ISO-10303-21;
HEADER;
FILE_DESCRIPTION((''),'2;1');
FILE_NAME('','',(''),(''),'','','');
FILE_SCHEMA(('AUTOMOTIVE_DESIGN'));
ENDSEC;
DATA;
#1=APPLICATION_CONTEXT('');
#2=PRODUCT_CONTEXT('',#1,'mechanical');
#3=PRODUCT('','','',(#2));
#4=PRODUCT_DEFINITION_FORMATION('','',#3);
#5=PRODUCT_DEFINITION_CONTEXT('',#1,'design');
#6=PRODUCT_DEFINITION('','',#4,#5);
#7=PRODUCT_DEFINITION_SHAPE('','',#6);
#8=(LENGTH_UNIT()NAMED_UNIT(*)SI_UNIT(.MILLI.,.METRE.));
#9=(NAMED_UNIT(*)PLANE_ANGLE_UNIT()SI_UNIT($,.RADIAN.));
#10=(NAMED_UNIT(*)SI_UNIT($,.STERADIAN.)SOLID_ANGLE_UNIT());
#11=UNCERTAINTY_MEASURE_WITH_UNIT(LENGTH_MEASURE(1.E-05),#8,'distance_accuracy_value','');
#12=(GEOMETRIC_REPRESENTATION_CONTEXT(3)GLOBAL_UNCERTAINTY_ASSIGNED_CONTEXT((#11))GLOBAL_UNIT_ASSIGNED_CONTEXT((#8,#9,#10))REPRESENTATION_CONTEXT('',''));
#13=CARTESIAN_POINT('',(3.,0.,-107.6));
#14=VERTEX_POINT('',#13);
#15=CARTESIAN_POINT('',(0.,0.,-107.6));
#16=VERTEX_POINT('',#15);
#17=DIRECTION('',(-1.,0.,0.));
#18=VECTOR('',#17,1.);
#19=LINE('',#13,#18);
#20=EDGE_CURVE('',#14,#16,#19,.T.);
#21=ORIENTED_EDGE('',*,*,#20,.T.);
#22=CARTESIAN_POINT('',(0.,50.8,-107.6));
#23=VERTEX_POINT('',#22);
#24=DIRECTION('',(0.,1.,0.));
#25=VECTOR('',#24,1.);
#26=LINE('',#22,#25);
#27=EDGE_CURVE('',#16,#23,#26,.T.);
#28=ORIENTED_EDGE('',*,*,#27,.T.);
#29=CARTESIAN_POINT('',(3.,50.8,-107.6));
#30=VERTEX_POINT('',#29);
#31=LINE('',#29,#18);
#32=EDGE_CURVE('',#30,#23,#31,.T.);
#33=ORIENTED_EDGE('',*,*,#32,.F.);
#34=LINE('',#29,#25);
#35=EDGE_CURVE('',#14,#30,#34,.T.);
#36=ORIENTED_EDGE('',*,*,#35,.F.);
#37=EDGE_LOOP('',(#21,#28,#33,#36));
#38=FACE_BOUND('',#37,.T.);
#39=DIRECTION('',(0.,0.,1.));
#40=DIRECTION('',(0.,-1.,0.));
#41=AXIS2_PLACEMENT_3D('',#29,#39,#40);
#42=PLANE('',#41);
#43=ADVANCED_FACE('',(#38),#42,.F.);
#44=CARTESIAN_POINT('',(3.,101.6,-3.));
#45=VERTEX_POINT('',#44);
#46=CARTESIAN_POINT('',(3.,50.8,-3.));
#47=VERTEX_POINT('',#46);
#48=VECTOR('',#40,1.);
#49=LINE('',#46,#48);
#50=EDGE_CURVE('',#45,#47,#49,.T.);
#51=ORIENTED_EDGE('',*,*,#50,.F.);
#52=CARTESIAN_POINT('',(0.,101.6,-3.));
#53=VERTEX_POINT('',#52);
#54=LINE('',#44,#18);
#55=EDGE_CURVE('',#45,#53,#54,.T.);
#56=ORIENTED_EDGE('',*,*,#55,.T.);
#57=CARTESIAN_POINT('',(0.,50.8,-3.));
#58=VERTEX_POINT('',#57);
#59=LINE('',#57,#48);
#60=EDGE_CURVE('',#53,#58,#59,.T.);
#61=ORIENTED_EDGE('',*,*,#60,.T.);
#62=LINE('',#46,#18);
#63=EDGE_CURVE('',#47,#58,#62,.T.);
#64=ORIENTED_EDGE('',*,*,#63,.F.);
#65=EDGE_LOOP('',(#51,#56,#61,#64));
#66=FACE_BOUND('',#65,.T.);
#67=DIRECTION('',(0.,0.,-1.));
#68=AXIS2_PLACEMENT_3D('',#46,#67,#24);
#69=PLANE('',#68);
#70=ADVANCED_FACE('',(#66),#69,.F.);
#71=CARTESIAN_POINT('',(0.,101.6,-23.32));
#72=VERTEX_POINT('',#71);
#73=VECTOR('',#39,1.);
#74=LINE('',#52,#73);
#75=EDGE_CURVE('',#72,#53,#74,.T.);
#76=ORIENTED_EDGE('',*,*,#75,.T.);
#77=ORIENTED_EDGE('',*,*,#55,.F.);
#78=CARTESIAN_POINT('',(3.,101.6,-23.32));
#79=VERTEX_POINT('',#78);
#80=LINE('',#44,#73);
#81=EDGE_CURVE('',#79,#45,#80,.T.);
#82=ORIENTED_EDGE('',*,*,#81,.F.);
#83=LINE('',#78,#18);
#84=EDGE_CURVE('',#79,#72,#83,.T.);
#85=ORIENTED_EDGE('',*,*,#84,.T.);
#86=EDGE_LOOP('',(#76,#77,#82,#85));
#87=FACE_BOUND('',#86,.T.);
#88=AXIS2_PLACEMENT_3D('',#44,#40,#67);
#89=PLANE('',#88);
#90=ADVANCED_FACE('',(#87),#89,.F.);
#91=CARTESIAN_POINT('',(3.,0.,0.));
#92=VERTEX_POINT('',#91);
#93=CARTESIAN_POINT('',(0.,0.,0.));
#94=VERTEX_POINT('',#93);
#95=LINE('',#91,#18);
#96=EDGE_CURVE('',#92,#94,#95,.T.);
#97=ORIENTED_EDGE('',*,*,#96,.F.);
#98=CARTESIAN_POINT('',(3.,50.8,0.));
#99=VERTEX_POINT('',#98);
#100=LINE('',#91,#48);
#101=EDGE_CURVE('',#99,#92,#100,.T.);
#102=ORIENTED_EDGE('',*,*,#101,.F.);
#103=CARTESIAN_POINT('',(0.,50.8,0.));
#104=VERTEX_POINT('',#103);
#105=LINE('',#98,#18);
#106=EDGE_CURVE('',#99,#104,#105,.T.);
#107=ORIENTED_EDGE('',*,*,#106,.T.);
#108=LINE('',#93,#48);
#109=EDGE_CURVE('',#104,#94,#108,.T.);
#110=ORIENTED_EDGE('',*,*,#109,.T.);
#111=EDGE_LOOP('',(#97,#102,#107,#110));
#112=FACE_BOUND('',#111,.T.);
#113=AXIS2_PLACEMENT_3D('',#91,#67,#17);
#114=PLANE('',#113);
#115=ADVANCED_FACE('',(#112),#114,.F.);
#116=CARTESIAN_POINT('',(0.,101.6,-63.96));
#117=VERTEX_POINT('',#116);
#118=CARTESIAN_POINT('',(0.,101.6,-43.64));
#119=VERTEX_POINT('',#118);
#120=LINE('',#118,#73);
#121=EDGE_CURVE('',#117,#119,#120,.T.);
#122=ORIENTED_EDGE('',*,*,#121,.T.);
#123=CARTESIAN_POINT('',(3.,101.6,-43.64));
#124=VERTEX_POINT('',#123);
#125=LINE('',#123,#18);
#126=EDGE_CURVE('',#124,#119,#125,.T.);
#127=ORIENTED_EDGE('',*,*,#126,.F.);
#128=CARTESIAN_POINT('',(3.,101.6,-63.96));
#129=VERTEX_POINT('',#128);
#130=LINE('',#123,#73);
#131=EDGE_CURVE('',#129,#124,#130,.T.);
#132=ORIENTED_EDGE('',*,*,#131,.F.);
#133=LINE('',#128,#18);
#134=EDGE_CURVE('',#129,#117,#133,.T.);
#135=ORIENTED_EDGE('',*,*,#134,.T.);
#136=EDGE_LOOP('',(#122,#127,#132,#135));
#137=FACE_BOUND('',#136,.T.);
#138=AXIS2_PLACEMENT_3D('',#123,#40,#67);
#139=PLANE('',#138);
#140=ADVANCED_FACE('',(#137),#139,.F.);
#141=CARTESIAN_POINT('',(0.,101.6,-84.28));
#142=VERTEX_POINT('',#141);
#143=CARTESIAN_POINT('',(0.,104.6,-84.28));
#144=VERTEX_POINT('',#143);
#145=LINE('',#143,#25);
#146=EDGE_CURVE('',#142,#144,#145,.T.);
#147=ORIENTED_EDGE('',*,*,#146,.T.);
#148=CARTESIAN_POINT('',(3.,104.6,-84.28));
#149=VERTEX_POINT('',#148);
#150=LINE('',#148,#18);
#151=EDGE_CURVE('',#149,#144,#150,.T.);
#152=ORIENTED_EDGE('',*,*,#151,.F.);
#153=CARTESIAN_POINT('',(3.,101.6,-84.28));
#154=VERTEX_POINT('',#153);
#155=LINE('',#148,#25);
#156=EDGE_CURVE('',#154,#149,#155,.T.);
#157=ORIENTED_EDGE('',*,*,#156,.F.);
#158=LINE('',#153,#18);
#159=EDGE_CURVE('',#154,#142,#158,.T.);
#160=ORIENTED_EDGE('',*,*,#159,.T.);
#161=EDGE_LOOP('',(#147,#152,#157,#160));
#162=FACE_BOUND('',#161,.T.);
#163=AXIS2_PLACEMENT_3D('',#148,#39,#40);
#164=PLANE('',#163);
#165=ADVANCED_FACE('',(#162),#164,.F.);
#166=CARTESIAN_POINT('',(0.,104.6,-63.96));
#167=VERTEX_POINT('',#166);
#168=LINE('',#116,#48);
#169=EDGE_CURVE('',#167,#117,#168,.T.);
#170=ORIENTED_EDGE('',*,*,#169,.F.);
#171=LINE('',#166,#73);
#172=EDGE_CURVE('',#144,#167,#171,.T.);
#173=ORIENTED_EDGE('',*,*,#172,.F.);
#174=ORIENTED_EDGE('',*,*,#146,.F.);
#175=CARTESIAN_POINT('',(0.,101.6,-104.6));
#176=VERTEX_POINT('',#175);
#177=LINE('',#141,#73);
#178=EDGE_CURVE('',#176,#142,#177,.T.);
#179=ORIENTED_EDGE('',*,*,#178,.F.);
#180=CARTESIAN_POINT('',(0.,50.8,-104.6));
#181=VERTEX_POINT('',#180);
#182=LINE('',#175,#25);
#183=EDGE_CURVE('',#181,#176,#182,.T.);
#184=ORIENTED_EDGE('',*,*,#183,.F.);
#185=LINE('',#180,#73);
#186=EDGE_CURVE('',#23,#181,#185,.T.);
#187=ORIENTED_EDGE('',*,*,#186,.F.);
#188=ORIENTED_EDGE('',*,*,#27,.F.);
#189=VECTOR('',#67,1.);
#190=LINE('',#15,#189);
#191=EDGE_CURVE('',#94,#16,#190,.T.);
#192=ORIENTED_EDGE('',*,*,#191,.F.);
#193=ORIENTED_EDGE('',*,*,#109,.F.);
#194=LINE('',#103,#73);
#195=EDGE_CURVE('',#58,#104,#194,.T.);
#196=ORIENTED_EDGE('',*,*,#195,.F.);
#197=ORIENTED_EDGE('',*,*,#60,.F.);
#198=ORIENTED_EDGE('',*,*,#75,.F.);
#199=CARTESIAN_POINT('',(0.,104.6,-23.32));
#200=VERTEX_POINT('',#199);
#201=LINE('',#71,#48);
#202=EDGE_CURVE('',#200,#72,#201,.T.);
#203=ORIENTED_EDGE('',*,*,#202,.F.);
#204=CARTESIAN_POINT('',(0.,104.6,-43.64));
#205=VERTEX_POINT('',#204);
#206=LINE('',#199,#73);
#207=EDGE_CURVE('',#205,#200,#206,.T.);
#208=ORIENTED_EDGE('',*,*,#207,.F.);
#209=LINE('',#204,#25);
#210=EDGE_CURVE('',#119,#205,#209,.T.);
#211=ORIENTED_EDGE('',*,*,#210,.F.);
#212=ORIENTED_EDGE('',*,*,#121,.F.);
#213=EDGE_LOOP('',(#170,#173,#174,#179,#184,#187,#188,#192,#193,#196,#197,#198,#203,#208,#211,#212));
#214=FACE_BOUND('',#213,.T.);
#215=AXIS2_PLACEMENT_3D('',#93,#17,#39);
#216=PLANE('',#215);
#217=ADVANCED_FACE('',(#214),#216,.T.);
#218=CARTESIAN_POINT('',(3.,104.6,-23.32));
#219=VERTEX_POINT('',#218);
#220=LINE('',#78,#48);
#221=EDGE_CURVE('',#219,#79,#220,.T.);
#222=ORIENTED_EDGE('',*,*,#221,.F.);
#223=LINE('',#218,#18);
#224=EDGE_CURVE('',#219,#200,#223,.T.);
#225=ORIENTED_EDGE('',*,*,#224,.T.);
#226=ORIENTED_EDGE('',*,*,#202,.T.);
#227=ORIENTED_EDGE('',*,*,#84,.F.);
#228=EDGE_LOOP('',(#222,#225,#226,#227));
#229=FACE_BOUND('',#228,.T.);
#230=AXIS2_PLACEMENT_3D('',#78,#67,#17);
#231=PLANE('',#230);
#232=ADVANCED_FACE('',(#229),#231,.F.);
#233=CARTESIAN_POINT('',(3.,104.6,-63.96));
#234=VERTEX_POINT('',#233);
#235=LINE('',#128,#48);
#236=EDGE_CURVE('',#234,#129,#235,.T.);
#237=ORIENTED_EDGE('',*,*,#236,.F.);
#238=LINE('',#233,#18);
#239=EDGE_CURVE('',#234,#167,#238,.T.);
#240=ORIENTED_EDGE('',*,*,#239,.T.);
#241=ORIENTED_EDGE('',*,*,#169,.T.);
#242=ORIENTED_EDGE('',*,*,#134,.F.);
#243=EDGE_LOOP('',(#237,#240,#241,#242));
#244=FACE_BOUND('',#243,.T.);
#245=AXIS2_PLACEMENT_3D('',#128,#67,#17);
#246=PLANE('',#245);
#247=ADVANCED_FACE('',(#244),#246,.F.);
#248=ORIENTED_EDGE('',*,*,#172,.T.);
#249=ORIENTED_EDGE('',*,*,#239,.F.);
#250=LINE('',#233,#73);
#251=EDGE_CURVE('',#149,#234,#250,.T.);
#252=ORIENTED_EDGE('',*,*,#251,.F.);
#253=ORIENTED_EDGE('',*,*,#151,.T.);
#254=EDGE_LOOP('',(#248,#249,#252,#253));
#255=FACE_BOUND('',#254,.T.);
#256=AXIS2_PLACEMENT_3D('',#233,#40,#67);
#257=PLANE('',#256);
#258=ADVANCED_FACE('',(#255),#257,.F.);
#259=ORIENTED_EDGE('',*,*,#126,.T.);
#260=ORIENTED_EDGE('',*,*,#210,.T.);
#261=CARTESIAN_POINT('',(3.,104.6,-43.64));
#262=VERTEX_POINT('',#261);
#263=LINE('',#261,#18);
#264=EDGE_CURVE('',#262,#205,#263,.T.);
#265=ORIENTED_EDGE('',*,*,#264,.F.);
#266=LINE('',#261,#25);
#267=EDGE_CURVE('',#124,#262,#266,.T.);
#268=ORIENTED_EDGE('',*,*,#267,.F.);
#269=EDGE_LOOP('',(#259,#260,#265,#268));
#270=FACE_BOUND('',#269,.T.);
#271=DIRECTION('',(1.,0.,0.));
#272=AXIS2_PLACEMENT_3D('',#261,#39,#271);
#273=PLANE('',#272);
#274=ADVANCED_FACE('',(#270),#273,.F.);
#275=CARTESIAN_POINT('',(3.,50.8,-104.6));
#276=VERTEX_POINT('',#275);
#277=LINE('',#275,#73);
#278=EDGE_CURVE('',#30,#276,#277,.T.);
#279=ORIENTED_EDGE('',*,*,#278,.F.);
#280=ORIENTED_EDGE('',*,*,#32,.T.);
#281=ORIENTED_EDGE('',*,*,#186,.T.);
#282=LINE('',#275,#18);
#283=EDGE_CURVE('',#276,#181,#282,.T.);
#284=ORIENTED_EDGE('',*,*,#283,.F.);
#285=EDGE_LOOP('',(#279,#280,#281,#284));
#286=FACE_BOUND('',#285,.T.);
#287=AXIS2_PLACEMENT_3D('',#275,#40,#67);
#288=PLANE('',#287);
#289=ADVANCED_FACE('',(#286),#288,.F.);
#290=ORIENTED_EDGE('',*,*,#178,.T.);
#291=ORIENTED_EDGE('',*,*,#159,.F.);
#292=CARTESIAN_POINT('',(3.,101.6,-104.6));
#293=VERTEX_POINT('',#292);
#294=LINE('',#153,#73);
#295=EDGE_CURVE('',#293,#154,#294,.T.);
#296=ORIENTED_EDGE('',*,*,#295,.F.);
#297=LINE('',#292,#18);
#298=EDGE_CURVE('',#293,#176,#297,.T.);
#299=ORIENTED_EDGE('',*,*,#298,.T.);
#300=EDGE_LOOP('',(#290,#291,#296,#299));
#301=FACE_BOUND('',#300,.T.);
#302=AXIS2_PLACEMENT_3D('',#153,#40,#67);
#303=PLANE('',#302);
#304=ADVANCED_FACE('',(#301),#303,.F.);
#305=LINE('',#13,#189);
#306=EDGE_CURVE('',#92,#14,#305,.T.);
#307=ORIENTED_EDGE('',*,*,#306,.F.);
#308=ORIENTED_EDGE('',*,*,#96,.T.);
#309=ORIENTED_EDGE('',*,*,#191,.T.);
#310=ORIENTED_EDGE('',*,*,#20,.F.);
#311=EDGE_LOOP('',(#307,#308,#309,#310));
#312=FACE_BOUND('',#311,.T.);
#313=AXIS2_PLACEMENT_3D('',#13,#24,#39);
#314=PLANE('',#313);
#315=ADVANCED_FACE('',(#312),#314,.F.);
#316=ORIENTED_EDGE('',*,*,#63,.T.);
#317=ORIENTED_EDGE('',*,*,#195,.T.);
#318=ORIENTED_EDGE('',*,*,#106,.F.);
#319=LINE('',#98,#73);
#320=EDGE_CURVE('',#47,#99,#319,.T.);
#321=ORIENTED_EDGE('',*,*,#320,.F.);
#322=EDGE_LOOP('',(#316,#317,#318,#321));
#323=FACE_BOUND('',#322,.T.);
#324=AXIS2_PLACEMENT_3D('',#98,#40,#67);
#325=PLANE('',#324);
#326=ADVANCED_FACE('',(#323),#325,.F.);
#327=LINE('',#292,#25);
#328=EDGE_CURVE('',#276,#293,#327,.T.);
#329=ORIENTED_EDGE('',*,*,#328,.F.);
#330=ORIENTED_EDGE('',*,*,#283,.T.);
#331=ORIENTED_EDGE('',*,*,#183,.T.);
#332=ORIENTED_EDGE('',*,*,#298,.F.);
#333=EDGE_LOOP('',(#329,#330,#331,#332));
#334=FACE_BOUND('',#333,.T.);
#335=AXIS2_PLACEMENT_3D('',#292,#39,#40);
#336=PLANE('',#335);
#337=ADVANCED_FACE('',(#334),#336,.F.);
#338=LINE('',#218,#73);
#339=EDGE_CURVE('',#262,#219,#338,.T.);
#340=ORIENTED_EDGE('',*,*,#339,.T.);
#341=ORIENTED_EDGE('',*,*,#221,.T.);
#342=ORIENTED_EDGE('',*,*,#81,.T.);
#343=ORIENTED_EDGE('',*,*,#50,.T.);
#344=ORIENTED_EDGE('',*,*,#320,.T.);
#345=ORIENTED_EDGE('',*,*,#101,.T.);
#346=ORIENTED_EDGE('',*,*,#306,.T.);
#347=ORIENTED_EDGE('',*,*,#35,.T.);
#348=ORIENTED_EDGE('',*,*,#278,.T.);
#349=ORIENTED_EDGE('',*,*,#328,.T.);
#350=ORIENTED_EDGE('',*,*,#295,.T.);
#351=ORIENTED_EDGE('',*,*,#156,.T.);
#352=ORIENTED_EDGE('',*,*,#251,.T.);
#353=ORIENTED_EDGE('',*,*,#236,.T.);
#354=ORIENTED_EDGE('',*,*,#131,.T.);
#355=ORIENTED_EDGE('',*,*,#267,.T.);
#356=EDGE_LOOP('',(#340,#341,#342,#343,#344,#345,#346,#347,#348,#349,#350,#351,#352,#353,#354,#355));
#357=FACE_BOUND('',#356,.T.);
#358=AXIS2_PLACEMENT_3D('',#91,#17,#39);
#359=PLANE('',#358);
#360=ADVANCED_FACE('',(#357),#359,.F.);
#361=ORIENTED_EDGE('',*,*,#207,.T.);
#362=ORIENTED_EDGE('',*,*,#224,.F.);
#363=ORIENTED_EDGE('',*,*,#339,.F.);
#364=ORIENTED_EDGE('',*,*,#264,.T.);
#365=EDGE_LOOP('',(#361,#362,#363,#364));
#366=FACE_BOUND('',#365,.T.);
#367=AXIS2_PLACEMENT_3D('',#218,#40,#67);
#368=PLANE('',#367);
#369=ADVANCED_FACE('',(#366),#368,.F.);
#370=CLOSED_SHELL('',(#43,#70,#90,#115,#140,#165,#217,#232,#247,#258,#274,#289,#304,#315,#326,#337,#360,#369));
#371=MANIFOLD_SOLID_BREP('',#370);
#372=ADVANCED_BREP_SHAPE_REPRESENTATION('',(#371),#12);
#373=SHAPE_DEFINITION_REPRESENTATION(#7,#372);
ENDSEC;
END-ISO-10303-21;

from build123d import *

# Parameters (mm, degrees)
SALIENTE_EXTRUIR1_DEPTH = 3


with BuildPart() as part:
    # Croquis1 → Saliente-Extruir1 (new body)
    with BuildSketch(Plane(origin=(0, 0, 0), x_dir=(0, 0, -1), z_dir=(1, 0, 0))):
        Polygon((0, 0), (0, 50.8), (3, 50.8), (3, 101.6), (23.32, 101.6), (23.32, 104.6), (43.64, 104.6), (43.64, 101.6), (63.96, 101.6), (63.96, 104.6), (84.28, 104.6), (84.28, 101.6), (104.6, 101.6), (104.6, 50.8), (107.6, 50.8), (107.6, 0), align=None)
    extrude(amount=SALIENTE_EXTRUIR1_DEPTH)


solid = part.part
